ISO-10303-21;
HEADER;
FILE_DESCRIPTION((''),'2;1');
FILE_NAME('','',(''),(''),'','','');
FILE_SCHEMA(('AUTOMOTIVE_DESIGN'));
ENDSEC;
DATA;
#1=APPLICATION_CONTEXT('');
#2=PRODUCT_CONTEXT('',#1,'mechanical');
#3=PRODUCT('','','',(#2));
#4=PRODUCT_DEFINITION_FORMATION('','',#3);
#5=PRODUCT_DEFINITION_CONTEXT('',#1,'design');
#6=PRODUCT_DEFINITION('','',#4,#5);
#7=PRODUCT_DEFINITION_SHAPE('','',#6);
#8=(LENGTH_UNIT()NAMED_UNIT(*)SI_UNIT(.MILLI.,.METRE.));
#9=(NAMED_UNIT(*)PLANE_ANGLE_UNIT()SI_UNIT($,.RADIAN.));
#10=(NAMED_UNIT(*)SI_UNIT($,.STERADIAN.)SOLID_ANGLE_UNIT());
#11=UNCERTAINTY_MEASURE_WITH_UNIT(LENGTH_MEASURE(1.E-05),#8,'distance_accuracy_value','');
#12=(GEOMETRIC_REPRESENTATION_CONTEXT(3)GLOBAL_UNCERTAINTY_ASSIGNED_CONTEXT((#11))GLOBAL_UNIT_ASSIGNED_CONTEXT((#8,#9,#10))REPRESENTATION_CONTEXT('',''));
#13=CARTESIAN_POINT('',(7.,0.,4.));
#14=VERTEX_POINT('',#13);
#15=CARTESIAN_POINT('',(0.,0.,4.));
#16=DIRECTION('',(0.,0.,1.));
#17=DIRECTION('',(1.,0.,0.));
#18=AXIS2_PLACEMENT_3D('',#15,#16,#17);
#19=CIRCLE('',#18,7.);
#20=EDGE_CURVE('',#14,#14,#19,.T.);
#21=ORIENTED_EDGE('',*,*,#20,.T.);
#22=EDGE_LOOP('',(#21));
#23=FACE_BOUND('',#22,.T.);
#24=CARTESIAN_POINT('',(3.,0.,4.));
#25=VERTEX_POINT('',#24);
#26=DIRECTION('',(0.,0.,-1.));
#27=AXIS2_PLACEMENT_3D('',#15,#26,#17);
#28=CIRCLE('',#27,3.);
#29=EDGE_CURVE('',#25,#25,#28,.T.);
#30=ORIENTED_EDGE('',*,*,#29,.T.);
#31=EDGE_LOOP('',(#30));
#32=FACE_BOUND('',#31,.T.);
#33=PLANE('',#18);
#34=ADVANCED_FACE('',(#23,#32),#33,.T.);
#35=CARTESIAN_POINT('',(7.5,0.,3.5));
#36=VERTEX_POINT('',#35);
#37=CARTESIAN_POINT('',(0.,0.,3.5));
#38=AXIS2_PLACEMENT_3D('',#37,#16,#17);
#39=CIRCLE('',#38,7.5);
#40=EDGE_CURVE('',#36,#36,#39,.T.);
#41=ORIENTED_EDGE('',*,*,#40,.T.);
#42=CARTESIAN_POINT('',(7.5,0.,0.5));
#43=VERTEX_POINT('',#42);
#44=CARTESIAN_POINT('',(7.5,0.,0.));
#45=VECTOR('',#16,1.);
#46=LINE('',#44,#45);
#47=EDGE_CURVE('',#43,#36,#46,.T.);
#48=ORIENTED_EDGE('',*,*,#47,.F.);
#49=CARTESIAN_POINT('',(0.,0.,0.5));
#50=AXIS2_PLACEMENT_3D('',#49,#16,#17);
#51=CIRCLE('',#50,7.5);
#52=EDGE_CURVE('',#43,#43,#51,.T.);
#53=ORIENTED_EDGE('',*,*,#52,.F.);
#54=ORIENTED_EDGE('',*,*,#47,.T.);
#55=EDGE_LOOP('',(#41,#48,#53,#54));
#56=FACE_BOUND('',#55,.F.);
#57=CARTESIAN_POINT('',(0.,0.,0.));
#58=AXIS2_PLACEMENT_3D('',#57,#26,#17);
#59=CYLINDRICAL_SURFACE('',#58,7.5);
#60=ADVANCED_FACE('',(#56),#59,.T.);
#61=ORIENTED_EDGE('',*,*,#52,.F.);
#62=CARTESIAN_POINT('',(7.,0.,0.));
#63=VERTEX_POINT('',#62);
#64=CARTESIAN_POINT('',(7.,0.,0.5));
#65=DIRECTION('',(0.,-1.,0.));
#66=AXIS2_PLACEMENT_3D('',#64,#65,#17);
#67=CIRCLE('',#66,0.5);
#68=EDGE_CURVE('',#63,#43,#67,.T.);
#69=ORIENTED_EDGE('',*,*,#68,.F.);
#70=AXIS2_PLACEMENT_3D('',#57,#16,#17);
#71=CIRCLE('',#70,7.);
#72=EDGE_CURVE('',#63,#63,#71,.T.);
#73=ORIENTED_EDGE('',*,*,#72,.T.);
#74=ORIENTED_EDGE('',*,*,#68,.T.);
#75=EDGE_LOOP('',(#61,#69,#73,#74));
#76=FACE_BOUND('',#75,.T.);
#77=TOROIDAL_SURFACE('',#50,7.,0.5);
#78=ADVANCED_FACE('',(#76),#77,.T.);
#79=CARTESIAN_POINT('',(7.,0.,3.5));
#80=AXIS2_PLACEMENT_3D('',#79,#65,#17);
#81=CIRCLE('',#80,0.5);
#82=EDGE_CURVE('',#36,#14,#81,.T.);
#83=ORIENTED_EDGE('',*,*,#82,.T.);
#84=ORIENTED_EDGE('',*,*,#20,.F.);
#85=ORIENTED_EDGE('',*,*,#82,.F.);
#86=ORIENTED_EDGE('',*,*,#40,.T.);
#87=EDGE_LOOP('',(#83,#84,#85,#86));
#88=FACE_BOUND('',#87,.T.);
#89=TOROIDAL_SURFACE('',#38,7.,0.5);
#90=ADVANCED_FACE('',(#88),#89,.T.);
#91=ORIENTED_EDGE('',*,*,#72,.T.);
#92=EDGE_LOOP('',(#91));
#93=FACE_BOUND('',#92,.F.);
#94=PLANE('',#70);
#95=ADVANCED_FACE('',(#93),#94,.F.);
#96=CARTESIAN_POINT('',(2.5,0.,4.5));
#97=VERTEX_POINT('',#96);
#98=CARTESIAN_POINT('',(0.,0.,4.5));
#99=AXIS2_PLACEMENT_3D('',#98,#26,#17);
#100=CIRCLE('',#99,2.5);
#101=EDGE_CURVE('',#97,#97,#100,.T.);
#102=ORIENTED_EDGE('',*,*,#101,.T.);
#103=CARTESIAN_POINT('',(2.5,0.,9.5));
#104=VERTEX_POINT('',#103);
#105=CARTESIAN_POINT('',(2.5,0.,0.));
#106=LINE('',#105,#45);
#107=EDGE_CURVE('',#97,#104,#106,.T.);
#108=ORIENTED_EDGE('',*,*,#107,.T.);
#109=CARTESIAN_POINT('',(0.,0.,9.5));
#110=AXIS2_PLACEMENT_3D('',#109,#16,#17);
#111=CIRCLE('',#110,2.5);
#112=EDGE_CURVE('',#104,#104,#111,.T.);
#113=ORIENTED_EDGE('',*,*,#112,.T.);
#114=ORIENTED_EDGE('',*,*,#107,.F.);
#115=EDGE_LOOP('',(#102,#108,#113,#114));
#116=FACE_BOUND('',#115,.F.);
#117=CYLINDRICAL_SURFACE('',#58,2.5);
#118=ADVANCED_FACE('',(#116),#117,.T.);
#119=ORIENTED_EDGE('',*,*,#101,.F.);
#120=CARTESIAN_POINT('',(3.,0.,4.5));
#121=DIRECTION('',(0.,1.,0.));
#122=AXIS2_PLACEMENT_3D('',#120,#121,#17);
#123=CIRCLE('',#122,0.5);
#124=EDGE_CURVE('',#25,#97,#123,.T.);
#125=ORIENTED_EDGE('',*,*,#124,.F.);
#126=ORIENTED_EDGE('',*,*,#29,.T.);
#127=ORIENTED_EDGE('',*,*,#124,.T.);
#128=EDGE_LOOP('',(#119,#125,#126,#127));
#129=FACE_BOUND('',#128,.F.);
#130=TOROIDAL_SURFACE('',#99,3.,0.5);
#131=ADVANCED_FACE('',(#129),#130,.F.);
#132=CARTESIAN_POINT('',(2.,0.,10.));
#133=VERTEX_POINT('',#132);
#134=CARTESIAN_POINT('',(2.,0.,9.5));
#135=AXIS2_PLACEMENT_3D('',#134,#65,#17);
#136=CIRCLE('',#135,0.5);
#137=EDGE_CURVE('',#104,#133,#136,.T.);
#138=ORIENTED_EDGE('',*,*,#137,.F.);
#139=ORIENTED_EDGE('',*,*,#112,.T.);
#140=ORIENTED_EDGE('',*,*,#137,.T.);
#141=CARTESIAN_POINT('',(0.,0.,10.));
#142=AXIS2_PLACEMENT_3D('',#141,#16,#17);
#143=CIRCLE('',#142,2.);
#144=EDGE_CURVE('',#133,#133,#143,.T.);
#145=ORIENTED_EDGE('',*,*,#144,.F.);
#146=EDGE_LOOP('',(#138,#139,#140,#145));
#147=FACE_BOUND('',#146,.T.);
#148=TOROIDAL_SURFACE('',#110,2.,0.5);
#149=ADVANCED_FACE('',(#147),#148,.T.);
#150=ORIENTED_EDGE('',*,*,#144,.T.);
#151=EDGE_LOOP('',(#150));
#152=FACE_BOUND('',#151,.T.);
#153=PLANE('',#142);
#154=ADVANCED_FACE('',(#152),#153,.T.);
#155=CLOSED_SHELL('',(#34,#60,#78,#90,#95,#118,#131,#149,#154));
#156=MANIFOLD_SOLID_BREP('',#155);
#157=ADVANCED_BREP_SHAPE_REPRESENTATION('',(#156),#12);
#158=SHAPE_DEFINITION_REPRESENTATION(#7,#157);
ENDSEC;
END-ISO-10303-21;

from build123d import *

# Parameters (mm, degrees)
F0_R     = 7.5
F0_R_2   = 2.5
F1_DEPTH = 4
F2_DEPTH = 10
F3_R     = 0.5


with BuildPart() as f1:
    # F0 (on Top) → F1 (new body)
    with BuildSketch(Plane.XY):
        Circle(F0_R)
        Circle(F0_R_2, mode=Mode.SUBTRACT)
        Circle(F0_R_2)
    extrude(amount=F1_DEPTH)

    # F0 (on Top) → F2 (join)
    with BuildSketch(Plane.XY):
        Circle(F0_R_2)
    extrude(amount=F2_DEPTH)

    # F3
    f3_edges = [f1.edges().sort_by_distance(p)[0] for p in [
        (-7.5, 0, 4),
        (-7.5, 0, 0),
        (-2.5, 0, 10),
        (-2.5, 0, 4),
    ]]
    fillet(f3_edges, radius=F3_R)


solid = f1.part
